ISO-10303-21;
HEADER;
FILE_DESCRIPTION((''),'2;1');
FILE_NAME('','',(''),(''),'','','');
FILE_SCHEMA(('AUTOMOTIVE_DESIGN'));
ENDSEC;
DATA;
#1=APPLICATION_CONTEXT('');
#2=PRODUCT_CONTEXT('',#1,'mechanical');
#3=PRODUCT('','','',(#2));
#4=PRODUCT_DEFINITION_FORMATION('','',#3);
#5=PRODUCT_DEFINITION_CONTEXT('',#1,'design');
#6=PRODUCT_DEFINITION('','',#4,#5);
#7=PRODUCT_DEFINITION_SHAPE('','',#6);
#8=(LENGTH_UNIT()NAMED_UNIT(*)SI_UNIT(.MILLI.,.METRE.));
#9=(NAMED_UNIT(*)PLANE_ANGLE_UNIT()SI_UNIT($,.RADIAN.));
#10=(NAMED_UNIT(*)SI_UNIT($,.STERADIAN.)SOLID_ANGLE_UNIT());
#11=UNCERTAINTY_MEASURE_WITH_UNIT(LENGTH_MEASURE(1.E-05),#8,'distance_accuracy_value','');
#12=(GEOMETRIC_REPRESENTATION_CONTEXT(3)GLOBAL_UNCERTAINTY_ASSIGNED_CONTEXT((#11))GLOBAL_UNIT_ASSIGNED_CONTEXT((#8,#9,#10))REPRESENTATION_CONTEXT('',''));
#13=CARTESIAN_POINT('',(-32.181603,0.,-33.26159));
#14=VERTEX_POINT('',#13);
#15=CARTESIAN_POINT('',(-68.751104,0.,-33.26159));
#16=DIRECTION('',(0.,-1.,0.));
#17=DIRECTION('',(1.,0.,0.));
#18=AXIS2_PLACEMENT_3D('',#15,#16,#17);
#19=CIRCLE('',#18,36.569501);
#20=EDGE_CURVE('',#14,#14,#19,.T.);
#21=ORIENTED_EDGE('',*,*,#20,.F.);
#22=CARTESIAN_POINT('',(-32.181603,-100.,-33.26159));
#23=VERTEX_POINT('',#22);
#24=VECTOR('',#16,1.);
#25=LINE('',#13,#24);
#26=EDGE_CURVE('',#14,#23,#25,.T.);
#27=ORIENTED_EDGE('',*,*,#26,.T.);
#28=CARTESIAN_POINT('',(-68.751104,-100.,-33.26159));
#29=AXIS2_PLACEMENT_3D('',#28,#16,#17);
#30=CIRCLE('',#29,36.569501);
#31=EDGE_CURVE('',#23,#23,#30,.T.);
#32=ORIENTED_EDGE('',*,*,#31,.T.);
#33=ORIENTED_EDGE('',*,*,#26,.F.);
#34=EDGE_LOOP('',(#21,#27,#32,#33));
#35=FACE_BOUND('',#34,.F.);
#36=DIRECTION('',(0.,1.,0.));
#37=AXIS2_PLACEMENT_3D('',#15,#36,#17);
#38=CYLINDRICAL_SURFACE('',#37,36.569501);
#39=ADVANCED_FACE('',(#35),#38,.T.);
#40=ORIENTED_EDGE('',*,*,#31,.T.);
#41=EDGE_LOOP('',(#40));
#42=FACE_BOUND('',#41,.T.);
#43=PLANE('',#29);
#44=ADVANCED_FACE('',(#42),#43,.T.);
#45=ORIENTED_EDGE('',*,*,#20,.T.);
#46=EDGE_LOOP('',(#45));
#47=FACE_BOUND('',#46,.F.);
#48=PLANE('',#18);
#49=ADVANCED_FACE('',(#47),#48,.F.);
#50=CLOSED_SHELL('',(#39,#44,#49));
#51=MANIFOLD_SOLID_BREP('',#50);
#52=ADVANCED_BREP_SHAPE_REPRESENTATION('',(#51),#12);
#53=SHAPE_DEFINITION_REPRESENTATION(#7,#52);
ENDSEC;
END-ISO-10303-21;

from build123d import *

# Parameters (mm, degrees)
F0_R     = 36.569501
F1_DEPTH = 100
F2_W     = 36.731586
F2_H     = 34.61919
F3_DEPTH = 100


with BuildPart() as f1:
    # F0 (on Front) → F1 (new body)
    with BuildSketch(Plane.XZ):
        with Locations((-68.751104, -33.26159)):
            Circle(F0_R)
    extrude(amount=F1_DEPTH)

    # F2 (on face) → F3 (join)
    with BuildSketch(Plane.XZ.offset(100)):
        with Locations((-68.751104, -33.26159)):
            Rectangle(F2_W, F2_H)
    extrude(amount=-F3_DEPTH)


solid = f1.part
